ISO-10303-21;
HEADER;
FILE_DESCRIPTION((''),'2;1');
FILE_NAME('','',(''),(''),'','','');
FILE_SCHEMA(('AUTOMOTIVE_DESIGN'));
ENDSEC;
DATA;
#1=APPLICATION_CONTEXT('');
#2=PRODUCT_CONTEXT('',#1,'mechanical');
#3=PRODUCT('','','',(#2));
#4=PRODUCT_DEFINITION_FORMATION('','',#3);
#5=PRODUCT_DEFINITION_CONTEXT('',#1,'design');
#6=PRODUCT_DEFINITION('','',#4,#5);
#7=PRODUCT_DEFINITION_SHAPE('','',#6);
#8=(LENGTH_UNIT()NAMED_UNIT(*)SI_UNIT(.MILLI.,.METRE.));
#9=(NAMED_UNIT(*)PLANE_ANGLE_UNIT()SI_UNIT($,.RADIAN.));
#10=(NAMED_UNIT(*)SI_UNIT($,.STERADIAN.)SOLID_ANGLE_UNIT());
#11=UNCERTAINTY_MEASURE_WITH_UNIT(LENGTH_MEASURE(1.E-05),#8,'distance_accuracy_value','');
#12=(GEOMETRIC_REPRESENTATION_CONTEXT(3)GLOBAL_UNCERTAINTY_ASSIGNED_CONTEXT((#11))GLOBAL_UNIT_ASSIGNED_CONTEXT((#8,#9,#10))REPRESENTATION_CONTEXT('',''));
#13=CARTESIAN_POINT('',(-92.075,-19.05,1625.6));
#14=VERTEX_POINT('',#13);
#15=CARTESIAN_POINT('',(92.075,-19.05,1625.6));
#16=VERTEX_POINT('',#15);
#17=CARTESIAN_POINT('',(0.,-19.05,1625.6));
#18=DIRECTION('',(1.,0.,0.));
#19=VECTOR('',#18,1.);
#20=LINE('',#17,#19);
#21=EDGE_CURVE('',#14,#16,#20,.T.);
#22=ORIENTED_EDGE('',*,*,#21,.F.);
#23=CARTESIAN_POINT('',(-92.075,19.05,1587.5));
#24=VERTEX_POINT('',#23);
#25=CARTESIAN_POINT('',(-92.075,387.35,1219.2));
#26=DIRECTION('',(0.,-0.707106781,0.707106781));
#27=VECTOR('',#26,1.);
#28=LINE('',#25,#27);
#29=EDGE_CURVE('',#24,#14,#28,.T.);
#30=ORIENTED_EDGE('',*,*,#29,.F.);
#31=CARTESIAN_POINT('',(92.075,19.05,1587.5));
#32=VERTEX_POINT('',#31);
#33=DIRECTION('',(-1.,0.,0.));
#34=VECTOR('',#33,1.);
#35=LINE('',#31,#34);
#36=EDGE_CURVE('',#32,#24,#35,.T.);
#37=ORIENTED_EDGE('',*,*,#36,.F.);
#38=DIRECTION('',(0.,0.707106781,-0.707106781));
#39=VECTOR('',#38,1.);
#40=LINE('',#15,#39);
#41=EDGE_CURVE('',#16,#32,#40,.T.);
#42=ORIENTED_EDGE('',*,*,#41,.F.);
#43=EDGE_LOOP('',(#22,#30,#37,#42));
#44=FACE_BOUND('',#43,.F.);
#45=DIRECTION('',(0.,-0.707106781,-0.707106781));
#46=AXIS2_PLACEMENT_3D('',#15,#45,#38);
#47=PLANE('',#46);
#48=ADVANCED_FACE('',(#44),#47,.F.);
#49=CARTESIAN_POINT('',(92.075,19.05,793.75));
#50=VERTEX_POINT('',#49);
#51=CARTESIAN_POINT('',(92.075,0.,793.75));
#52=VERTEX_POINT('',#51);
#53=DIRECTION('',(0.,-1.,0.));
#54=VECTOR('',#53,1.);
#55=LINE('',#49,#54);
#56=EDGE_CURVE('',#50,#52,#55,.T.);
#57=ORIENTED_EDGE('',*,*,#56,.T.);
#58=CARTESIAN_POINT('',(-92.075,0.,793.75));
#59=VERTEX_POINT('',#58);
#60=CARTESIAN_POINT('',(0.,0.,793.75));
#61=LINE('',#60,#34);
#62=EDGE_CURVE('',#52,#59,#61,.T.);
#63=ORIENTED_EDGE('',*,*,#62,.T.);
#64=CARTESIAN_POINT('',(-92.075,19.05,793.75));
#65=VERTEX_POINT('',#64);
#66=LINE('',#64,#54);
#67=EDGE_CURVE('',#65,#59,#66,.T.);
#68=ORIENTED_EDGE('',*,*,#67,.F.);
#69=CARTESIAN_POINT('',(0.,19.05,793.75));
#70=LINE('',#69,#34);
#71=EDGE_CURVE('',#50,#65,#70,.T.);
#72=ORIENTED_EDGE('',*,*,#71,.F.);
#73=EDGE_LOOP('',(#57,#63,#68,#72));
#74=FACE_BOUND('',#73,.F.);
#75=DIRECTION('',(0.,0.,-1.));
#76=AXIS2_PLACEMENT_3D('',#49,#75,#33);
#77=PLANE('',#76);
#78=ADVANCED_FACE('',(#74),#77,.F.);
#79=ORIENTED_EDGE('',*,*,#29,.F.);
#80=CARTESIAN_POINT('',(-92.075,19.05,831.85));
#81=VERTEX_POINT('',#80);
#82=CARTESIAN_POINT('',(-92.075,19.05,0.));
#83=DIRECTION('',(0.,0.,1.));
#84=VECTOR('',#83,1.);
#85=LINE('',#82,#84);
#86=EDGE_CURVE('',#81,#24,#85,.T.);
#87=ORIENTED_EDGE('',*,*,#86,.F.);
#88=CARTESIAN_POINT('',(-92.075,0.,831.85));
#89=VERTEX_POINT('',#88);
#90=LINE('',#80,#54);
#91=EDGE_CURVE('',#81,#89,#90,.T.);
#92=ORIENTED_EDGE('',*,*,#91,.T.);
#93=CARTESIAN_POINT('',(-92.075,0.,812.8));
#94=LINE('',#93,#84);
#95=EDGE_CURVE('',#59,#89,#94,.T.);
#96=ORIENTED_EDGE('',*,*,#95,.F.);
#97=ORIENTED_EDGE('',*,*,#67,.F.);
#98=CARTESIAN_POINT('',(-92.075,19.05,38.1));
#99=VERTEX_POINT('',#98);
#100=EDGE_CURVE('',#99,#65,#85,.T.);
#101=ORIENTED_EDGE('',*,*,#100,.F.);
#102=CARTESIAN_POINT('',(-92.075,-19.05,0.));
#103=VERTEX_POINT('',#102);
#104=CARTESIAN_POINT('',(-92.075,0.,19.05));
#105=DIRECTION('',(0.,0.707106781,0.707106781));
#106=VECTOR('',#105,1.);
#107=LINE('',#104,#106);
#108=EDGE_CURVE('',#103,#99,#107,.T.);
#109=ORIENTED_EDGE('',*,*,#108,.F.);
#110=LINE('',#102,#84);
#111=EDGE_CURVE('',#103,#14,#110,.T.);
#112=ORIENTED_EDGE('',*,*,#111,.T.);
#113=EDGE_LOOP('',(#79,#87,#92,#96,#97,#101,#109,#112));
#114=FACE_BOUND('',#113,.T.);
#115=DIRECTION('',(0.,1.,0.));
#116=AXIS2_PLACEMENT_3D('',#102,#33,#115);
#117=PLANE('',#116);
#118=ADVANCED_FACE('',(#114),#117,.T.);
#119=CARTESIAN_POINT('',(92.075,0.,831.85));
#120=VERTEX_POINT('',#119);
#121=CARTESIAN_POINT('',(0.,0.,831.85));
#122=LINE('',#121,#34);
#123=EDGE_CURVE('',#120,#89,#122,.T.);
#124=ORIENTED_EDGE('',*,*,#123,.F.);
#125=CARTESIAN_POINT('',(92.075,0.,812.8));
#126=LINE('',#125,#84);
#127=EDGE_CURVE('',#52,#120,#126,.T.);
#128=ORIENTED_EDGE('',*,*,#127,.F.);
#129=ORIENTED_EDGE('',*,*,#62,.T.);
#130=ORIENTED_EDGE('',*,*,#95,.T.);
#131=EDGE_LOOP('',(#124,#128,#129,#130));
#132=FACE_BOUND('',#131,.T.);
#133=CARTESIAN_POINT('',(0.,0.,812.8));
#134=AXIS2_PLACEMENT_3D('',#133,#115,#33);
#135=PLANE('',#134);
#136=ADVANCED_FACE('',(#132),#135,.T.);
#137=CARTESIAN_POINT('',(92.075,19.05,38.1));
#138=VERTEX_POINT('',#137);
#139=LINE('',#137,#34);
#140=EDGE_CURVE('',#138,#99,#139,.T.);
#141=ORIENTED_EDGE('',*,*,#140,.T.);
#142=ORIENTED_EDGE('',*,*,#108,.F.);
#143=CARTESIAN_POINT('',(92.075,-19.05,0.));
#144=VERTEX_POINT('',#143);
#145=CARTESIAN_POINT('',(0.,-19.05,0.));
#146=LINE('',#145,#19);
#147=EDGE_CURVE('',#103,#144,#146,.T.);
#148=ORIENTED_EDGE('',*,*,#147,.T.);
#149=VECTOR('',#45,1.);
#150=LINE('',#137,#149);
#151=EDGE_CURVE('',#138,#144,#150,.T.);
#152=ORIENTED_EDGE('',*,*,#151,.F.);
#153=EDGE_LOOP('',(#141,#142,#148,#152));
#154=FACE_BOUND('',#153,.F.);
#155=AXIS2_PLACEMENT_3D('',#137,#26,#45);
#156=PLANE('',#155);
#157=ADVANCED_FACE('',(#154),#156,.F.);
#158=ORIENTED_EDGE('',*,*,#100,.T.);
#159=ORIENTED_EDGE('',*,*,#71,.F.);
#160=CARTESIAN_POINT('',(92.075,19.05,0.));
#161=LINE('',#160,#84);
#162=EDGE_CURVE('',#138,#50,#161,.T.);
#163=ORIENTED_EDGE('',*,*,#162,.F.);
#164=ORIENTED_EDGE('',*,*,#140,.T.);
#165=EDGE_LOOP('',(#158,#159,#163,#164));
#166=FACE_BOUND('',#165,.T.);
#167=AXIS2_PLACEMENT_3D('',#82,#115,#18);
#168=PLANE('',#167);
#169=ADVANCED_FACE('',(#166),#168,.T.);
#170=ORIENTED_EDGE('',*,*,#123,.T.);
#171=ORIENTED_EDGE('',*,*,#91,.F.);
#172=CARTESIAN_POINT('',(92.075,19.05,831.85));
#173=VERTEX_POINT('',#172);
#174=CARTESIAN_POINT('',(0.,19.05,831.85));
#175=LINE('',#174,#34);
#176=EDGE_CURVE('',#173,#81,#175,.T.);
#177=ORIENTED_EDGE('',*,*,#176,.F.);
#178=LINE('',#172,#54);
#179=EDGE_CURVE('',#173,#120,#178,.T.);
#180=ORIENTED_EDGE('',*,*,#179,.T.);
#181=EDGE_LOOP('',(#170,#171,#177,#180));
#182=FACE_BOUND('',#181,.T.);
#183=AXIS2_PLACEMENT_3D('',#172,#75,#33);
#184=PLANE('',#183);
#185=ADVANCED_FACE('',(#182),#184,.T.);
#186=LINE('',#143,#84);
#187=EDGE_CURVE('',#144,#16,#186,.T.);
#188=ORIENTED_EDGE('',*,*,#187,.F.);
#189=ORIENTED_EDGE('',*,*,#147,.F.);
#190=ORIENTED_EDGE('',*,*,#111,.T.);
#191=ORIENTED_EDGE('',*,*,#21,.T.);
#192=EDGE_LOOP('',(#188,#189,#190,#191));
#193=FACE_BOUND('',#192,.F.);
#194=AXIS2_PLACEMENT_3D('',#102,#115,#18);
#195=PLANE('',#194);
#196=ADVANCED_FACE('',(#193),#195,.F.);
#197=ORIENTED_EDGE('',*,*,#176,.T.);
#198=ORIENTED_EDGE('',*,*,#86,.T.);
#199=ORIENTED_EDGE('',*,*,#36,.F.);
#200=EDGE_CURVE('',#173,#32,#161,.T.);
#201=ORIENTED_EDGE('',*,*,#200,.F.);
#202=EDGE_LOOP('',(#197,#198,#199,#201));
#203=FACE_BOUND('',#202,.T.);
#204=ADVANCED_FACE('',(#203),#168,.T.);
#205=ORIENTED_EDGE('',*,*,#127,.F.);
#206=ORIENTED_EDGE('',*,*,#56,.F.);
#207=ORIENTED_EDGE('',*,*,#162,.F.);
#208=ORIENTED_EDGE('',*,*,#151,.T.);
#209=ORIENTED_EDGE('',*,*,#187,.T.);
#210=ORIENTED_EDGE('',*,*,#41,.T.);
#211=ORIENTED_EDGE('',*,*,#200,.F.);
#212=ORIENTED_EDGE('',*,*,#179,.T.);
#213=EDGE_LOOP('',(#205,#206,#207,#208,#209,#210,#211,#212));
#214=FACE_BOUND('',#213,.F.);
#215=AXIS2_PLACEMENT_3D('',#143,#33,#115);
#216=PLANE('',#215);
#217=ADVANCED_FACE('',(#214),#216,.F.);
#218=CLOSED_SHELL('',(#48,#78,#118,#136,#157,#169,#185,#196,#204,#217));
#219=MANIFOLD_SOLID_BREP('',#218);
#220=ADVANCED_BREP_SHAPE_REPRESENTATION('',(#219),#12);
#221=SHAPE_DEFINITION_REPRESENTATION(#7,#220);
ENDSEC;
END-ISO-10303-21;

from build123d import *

# Parameters (mm, degrees)
F0_W     = 184.15
F0_H     = 38.1
F1_DEPTH = 1625.6
F3_DEPTH = 190.5
F4_W     = 184.15
F4_H     = 38.1
F5_DEPTH = 19.05


with BuildPart() as f1:
    # F0 (on Top) → F1 (new body)
    with BuildSketch(Plane.XY):
        Rectangle(F0_W, F0_H)
    extrude(amount=F1_DEPTH)

    # F2 (on face) → F3 (cut)
    with BuildSketch(Plane.YZ.offset(92.075)):
        Polygon((19.05, 1625.6), (-19.05, 1625.6), (19.05, 1587.5), align=None)
        Polygon((19.05, 38.1), (-19.05, 0), (19.05, 0), align=None)
    extrude(amount=-F3_DEPTH, mode=Mode.SUBTRACT)

    # F4 (on face) → F5 (cut)
    with BuildSketch(Plane(origin=(0, 19.05, 0), x_dir=(-1, 0, 0), z_dir=(0, 1, 0))):
        with Locations((0, 812.8)):
            Rectangle(F4_W, F4_H)
    extrude(amount=-F5_DEPTH, mode=Mode.SUBTRACT)


solid = f1.part
